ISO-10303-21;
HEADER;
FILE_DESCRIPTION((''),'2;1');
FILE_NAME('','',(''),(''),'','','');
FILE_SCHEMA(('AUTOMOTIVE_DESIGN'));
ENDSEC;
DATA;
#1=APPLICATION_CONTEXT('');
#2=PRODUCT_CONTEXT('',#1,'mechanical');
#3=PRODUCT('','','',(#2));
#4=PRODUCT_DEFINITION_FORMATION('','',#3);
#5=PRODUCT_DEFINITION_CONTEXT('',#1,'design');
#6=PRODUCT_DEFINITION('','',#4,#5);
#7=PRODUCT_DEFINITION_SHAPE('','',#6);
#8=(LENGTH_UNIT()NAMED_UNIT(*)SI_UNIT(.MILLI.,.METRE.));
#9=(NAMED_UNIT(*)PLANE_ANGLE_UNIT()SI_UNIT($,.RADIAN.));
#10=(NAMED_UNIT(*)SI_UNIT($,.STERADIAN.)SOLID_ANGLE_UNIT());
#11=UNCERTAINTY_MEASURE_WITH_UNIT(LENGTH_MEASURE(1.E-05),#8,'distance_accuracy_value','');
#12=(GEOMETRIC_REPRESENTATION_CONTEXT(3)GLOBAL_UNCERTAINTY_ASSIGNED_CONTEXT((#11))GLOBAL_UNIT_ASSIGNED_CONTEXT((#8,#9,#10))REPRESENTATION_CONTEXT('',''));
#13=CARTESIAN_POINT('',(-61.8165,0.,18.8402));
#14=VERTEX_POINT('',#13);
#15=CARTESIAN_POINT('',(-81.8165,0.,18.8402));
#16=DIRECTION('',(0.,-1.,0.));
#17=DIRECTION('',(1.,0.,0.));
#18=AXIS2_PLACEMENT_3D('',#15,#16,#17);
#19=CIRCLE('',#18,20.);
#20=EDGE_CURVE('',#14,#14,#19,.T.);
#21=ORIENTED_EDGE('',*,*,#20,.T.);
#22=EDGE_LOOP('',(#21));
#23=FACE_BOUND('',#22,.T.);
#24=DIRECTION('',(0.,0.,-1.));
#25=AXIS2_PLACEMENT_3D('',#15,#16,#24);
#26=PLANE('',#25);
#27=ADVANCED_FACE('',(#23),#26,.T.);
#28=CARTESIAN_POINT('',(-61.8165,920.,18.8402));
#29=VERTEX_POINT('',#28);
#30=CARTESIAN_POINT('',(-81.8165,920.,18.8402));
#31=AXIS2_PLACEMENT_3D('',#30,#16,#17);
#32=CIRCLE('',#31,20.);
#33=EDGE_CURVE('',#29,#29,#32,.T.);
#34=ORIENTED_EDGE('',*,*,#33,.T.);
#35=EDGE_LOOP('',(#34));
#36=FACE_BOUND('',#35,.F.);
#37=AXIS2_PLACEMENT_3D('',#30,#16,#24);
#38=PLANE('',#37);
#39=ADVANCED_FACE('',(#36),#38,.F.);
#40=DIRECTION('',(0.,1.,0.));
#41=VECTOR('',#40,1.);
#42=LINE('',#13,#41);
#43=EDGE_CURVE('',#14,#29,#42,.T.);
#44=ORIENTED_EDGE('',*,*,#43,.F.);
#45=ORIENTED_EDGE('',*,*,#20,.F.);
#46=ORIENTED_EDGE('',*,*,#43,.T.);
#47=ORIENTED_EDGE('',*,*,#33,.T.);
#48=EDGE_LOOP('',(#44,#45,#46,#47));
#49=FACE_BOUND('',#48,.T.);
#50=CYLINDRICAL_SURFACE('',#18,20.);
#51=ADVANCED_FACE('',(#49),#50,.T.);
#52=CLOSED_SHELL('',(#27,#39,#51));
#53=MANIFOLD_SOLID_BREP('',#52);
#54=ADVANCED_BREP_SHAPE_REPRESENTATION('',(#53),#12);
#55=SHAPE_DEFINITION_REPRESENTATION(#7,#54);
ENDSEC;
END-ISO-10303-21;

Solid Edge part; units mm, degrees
sketch "Sketch1" plane through (0, 0, 0) normal (0, -1, 0) x (1, 0, 0)
  circle A0 centre (-81.8165, 18.8402) radius 20
  dimension "D1" = 40
extrude "Protrusion1" add sketch "Sketch1" against normal blind 920
